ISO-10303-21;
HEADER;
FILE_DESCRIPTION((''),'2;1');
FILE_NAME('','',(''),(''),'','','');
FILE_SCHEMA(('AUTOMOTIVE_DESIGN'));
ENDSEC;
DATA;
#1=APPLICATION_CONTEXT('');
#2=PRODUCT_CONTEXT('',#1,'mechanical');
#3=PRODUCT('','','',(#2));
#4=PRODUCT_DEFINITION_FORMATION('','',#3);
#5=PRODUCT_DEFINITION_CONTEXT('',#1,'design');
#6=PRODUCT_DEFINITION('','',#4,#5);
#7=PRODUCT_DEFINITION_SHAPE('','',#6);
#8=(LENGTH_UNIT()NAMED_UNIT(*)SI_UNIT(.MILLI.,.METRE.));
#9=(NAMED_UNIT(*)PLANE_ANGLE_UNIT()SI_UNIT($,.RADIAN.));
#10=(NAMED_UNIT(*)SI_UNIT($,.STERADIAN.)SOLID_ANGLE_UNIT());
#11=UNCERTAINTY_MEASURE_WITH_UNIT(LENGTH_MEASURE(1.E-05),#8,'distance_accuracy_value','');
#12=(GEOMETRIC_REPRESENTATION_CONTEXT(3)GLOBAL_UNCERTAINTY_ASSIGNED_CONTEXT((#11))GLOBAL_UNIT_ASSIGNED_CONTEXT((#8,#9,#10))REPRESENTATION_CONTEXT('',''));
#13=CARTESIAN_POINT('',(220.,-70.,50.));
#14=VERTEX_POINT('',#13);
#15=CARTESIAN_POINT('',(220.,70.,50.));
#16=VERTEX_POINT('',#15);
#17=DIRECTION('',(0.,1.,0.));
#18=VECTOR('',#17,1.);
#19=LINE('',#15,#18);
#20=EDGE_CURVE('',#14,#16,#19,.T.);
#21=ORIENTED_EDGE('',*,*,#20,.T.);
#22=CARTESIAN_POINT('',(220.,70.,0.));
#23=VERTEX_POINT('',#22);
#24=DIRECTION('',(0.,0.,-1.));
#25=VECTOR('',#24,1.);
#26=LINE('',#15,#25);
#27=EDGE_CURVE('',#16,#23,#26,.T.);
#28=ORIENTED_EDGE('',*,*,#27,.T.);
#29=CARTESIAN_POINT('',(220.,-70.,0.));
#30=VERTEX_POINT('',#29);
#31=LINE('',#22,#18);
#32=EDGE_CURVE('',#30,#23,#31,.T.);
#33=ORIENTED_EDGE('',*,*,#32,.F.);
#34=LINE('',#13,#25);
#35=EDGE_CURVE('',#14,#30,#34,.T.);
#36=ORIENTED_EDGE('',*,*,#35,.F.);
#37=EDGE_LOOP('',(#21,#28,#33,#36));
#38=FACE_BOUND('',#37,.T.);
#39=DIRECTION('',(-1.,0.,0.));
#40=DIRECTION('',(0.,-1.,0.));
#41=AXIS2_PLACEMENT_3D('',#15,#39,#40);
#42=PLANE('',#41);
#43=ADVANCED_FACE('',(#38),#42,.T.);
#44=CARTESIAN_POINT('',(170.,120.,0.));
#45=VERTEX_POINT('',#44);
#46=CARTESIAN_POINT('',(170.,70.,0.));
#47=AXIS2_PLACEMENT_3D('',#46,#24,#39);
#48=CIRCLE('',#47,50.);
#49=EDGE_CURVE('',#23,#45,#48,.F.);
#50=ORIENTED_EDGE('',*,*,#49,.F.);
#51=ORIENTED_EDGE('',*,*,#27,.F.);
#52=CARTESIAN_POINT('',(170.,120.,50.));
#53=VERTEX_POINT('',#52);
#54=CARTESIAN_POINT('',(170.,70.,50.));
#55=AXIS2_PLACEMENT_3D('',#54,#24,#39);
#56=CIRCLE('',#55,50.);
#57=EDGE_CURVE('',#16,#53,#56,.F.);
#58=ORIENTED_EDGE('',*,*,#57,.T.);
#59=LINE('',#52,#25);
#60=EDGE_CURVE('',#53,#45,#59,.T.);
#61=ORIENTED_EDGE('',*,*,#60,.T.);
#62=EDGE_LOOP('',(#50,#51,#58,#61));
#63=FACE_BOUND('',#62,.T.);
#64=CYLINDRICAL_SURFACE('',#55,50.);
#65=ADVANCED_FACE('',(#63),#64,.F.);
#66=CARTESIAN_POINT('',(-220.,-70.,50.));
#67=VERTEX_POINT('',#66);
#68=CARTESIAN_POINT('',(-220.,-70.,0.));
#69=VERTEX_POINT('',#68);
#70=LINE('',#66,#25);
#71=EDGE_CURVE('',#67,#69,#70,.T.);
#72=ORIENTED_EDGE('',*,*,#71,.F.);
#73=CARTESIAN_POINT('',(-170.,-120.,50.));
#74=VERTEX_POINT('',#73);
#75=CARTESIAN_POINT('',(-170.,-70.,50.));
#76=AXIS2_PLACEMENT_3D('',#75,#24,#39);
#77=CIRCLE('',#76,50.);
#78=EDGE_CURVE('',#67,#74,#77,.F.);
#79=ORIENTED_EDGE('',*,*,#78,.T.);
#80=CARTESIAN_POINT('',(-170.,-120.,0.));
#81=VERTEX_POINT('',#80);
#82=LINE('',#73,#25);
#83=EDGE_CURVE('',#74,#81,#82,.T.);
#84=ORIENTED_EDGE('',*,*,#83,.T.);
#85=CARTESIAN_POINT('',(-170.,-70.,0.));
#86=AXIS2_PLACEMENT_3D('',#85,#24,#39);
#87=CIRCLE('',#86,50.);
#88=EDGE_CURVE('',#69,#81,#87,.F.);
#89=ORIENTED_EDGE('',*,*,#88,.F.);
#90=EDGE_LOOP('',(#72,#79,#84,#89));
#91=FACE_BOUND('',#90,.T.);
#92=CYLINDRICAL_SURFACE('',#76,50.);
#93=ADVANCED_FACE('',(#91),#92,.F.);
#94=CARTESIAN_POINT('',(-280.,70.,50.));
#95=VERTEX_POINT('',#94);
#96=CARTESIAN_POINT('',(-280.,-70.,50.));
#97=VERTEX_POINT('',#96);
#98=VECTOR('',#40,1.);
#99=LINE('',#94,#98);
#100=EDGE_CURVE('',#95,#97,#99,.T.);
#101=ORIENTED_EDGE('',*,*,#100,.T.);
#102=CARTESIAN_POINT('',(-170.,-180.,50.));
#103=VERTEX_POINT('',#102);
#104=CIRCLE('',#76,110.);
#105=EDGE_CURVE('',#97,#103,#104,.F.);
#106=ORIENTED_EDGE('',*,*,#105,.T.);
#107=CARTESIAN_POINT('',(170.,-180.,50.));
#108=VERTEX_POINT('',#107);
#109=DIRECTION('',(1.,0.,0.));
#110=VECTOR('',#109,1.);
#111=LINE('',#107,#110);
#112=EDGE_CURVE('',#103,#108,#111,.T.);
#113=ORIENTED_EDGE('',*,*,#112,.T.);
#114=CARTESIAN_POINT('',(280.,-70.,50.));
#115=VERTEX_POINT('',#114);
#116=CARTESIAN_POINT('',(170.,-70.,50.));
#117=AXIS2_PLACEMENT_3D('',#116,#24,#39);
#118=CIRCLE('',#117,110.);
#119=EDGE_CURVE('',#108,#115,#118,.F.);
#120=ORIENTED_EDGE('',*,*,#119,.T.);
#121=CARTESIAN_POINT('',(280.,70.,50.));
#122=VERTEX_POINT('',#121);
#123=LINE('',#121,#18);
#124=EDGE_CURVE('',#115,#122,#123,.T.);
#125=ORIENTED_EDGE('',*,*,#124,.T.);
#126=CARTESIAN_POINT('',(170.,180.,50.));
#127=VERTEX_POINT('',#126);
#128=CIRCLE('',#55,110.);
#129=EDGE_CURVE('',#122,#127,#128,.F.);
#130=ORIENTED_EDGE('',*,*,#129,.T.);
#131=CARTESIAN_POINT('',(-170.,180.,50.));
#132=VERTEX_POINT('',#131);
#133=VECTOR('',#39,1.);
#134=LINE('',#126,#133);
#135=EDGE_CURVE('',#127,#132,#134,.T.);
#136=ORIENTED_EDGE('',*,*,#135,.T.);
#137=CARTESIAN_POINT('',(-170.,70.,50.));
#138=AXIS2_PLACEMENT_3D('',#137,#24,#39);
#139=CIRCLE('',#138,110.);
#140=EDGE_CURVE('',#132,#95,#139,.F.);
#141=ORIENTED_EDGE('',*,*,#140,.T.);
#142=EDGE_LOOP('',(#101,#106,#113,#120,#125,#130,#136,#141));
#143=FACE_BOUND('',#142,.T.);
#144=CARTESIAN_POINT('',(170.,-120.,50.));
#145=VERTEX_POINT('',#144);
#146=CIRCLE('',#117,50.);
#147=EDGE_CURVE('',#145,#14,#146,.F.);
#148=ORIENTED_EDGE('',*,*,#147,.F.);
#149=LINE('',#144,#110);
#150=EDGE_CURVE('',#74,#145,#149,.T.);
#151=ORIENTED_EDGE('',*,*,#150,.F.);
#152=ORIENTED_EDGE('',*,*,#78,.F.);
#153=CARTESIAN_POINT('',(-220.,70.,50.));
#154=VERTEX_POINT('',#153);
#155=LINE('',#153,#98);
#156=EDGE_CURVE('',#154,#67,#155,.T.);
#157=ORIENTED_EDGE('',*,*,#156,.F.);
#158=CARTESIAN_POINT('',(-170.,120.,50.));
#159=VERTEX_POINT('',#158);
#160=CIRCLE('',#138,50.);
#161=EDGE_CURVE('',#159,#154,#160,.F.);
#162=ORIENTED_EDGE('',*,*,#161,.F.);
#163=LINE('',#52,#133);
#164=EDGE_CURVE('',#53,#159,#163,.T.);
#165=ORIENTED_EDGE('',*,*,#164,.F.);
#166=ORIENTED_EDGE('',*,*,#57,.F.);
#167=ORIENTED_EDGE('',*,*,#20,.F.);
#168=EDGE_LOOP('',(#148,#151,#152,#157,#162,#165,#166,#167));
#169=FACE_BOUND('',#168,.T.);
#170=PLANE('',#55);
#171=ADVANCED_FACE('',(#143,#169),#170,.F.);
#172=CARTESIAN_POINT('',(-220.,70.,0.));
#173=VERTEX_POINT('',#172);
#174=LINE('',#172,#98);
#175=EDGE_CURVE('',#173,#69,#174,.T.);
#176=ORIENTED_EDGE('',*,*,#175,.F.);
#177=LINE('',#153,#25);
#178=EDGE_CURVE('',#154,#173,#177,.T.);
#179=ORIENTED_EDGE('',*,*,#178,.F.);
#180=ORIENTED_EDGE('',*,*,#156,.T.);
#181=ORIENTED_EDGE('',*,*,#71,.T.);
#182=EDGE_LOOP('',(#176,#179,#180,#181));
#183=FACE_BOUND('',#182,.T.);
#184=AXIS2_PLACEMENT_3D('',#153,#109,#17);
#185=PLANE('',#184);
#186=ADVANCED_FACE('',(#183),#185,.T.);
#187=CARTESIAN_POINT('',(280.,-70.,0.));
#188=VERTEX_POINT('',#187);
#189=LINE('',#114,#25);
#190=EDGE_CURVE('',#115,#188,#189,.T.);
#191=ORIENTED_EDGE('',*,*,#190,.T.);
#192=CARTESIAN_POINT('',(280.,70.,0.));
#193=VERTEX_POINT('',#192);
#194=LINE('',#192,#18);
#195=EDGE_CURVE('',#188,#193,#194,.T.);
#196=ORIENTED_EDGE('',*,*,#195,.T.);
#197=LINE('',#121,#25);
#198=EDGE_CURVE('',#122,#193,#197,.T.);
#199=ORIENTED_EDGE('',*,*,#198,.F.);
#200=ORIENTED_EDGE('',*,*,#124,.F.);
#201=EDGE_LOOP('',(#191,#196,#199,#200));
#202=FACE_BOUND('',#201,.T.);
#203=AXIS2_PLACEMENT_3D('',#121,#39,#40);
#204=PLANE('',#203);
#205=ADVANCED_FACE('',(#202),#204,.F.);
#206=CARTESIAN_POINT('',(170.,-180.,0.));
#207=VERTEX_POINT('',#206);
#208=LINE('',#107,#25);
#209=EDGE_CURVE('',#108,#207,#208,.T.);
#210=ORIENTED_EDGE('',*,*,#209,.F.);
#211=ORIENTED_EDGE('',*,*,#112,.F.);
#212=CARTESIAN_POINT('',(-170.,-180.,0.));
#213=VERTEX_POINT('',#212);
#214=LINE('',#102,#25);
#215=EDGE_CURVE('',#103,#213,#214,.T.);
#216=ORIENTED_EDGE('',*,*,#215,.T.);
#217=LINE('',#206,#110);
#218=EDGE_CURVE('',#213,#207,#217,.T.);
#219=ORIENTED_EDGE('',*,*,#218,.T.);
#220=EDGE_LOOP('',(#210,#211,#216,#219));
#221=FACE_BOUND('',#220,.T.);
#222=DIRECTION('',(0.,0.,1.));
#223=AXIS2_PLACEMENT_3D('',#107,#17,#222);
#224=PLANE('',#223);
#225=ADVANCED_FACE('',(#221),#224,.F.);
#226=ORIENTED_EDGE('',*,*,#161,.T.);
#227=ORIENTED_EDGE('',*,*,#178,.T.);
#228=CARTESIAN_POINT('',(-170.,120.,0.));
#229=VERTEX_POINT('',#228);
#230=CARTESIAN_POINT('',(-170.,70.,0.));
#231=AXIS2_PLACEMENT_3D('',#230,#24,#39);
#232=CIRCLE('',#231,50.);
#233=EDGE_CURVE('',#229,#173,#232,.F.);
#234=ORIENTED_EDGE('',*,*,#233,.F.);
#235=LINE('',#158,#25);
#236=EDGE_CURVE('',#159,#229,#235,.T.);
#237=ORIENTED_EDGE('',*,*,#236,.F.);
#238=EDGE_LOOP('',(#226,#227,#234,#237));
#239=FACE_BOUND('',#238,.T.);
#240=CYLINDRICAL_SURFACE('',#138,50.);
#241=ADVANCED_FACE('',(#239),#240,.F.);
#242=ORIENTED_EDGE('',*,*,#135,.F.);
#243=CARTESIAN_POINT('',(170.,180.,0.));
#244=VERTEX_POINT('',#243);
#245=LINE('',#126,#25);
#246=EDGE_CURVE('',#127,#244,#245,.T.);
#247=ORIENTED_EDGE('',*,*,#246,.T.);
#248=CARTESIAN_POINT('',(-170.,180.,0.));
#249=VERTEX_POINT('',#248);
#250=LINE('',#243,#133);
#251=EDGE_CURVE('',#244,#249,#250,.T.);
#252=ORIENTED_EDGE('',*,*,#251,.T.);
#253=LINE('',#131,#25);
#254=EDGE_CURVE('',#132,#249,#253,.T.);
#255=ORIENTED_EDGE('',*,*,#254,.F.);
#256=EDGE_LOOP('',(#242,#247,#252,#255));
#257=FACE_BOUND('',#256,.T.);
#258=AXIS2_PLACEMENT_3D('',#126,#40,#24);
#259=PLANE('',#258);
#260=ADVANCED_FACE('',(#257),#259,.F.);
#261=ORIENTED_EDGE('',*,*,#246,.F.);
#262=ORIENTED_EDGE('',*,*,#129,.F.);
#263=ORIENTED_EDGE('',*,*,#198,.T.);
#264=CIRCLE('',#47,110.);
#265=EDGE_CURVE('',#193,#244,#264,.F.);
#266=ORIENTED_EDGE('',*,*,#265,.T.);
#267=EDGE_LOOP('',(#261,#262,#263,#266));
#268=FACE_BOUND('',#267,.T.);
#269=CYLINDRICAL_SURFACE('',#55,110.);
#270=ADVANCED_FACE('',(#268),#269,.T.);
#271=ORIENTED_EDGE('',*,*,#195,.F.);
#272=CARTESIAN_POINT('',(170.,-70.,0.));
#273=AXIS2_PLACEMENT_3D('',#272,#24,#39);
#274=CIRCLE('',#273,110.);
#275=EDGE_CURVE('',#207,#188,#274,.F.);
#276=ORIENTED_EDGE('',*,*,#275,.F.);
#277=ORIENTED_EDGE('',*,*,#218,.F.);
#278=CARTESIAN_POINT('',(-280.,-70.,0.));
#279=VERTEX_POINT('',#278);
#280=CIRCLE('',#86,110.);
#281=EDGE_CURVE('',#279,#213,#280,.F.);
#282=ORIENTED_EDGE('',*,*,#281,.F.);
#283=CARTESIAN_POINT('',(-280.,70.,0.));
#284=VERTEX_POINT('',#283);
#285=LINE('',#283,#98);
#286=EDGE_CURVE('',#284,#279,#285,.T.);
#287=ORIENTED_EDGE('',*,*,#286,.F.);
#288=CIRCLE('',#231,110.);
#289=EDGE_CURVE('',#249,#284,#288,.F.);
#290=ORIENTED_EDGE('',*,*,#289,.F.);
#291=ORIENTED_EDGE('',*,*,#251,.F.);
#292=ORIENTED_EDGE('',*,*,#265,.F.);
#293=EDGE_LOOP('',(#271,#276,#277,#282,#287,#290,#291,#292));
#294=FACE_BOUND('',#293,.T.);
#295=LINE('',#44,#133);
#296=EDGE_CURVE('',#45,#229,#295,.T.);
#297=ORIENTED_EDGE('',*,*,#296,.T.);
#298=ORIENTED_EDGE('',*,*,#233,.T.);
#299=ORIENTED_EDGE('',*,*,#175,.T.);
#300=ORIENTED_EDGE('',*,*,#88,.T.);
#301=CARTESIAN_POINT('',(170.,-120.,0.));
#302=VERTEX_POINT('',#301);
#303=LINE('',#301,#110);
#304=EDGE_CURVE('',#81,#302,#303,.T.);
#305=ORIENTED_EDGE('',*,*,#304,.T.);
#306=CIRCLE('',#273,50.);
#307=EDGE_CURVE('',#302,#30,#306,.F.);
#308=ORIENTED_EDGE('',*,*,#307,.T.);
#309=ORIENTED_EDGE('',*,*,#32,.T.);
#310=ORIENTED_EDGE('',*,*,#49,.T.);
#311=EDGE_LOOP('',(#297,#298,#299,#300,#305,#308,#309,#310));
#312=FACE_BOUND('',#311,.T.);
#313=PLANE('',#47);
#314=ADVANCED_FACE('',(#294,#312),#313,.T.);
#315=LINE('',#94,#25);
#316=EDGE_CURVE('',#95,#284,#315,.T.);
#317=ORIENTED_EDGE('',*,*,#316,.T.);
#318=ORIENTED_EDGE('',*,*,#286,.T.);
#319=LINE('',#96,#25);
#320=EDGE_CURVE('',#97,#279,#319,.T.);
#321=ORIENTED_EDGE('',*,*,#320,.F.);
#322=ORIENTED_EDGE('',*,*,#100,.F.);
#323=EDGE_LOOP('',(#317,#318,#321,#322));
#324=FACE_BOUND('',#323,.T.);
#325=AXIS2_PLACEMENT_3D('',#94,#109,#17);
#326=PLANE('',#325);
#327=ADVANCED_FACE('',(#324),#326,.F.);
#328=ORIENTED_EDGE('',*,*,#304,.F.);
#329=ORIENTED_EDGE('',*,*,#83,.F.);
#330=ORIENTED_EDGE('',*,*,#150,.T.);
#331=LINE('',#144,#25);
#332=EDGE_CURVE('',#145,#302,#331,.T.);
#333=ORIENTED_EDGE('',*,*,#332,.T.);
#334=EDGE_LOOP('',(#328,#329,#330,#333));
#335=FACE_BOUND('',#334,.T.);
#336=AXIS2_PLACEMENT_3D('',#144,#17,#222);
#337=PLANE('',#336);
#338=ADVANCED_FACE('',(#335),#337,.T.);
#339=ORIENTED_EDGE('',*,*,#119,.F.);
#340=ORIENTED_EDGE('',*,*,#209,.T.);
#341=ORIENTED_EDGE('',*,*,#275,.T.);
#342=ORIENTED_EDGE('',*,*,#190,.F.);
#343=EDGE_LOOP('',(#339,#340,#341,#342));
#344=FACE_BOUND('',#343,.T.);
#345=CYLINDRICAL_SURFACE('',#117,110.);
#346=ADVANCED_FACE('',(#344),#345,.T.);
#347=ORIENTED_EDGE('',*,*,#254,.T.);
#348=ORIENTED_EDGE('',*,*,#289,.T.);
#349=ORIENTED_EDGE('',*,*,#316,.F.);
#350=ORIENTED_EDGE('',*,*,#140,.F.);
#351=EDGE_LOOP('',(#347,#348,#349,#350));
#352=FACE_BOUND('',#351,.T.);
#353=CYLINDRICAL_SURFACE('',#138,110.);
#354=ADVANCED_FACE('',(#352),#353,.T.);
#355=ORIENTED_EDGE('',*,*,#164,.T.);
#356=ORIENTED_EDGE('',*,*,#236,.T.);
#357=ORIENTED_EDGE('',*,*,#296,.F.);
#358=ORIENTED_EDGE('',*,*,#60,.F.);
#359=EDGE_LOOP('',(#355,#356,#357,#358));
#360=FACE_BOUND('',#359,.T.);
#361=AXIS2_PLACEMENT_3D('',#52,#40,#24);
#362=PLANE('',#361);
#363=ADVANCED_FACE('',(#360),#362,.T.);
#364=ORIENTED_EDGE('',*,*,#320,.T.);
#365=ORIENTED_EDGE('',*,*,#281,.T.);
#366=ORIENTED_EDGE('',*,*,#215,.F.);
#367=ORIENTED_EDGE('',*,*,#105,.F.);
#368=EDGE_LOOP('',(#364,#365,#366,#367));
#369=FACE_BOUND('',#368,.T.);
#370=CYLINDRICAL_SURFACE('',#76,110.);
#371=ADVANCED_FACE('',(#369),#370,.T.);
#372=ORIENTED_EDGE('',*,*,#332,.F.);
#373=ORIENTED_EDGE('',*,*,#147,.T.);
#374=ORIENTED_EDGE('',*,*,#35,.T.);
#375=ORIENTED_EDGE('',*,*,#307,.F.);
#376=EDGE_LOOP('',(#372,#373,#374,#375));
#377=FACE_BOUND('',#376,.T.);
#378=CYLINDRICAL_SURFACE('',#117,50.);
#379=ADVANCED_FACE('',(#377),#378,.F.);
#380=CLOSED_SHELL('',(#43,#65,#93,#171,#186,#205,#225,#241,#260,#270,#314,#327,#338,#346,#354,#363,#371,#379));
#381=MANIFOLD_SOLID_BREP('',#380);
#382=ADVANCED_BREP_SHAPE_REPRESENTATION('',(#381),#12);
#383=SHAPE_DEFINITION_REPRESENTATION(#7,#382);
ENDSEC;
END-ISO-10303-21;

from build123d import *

# Parameters (mm, degrees)
EXTRUDE_THIN1_DEPTH = 50


with BuildPart() as part:
    # Sketch1 → Extrude-Thin1 (new body)
    with BuildSketch(Plane.XY):
        with BuildLine():
            Line((-170, 180), (170, 180))
            ThreePointArc((170, 180), (247.781745931, 147.781745931), (280, 70))
            Line((280, 70), (280, -70))
            ThreePointArc((280, -70), (247.781745931, -147.781745931), (170, -180))
            Line((170, -180), (-170, -180))
            ThreePointArc((-170, -180), (-247.781745931, -147.781745931), (-280, -70))
            Line((-280, -70), (-280, 70))
            ThreePointArc((-280, 70), (-247.781745931, 147.781745931), (-170, 180))
        make_face()
        with BuildLine():
            Line((-170, 120), (170, 120))
            ThreePointArc((170, 120), (205.355339059, 105.355339059), (220, 70))
            Line((220, 70), (220, -70))
            ThreePointArc((220, -70), (205.355339059, -105.355339059), (170, -120))
            Line((170, -120), (-170, -120))
            ThreePointArc((-170, -120), (-205.355339059, -105.355339059), (-220, -70))
            Line((-220, -70), (-220, 70))
            ThreePointArc((-220, 70), (-205.355339059, 105.355339059), (-170, 120))
        make_face(mode=Mode.SUBTRACT)
    extrude(amount=EXTRUDE_THIN1_DEPTH)


solid = part.part
